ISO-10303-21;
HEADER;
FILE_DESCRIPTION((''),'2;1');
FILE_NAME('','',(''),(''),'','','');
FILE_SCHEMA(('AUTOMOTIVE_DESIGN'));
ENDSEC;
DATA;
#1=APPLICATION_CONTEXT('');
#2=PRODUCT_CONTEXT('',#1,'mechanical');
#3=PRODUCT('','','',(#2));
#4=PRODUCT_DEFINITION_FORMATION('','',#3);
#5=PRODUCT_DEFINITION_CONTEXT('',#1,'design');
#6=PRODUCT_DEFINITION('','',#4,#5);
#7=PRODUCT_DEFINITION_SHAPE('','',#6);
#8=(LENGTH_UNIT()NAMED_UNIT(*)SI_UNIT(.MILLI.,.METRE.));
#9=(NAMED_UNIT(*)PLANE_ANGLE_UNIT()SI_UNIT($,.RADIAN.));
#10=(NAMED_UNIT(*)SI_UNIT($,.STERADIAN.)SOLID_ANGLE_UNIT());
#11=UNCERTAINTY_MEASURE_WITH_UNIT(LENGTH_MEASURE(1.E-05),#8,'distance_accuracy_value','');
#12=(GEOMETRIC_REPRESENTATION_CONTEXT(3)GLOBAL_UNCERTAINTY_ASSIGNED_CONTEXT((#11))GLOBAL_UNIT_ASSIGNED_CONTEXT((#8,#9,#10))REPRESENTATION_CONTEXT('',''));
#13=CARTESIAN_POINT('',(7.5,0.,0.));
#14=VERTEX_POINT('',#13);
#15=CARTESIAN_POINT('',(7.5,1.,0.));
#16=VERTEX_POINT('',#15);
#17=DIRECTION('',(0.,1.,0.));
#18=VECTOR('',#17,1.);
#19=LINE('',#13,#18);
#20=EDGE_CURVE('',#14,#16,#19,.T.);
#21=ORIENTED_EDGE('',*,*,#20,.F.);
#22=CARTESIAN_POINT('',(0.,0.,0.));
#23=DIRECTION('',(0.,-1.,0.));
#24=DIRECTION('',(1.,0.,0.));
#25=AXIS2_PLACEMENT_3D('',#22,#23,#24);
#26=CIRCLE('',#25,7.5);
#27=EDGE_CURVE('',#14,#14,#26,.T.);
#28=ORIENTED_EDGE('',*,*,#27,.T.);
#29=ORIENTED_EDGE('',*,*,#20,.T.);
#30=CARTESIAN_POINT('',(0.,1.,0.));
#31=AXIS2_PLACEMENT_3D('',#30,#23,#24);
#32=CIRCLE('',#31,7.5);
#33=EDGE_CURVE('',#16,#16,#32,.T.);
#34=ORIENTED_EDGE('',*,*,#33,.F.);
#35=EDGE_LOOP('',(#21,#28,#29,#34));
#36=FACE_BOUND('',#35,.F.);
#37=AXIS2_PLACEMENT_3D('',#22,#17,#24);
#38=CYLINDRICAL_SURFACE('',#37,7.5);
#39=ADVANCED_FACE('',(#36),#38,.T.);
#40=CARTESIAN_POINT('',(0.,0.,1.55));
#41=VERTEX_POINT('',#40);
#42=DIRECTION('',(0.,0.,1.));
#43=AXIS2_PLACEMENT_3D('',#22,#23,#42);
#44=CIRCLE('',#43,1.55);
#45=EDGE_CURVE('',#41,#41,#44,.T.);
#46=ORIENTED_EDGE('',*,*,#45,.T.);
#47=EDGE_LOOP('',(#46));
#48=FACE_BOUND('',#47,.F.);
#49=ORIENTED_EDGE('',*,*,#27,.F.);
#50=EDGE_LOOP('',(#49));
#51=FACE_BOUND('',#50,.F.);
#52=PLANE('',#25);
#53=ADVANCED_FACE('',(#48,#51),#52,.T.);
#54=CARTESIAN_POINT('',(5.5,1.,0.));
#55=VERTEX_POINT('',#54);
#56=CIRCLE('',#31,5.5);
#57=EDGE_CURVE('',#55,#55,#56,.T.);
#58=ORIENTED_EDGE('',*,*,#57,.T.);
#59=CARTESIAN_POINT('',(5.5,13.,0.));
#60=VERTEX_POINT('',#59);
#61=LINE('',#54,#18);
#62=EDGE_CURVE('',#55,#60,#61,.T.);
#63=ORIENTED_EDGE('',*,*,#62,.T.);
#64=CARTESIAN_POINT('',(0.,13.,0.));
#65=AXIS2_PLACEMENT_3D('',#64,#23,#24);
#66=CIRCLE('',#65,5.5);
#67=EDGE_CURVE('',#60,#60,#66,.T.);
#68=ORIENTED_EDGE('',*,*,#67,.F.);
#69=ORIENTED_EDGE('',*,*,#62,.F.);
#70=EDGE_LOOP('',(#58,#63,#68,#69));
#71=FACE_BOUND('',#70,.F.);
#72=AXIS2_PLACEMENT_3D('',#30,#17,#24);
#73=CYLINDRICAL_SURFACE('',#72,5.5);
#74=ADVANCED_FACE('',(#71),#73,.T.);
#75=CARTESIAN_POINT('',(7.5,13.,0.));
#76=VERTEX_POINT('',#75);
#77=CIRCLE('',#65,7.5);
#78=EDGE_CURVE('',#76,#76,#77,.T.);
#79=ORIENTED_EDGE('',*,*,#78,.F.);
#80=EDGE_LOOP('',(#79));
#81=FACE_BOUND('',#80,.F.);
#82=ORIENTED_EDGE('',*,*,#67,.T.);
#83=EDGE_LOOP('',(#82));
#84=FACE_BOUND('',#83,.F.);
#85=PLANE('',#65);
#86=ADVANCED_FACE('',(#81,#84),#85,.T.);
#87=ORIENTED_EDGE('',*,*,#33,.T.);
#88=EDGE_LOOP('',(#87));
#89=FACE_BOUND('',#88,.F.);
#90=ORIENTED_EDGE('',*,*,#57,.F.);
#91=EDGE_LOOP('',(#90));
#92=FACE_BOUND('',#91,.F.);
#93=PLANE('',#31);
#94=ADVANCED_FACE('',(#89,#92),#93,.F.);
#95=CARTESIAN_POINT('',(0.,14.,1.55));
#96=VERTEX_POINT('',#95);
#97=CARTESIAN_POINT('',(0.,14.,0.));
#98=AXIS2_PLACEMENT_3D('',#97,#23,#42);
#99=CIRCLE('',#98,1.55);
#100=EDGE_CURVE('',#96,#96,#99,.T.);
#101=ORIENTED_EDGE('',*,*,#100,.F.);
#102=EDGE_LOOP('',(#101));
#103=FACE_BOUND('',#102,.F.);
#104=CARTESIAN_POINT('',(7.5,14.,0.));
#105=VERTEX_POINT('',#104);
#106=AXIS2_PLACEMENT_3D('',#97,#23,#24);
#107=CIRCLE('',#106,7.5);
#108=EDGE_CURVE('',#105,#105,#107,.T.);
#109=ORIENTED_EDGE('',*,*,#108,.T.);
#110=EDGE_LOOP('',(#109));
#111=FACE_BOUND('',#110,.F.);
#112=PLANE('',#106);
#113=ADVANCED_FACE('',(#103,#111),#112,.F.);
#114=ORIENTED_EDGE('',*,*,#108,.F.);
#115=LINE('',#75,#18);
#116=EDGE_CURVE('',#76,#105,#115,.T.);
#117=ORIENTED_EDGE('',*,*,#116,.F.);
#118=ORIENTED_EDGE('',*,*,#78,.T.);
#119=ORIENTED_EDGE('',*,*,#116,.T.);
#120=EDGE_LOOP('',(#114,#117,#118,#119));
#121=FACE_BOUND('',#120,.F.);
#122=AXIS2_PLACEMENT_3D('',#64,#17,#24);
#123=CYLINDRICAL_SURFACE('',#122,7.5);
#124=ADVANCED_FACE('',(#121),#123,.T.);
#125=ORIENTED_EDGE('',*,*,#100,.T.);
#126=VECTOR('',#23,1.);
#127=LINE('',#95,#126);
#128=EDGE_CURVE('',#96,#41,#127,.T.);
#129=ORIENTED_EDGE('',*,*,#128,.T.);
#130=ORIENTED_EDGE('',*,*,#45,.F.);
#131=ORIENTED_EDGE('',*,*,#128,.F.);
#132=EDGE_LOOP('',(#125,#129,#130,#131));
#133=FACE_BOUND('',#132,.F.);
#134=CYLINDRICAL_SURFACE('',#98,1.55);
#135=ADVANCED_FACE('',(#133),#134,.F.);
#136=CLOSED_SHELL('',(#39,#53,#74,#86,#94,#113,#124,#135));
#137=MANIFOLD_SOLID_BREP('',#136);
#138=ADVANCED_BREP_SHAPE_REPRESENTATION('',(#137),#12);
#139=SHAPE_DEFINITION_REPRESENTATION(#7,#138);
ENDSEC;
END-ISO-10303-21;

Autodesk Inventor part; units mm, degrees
ref_plane "YZ Plane" through (0, 0, 0) normal (1, 0, 0) x (0, 1, 0)
ref_plane "XZ Plane" through (0, 0, 0) normal (0, 1, 0) x (-1, 0, 0)
ref_plane "XY Plane" through (0, 0, 0) normal (0, 0, 1) x (1, 0, 0)
sketch "Esquisse2" plane through (0, 0, 0) normal (0, 0, 1) x (1, 0, 0)
  line L0 (0, 17.0922) -> (0, -5.3775) construction
  line L1 (0, 0) -> (7.5, 0)
  line L2 (7.5, 0) -> (7.5, 1)
  line L3 (7.5, 1) -> (5.5, 1)
  line L4 (5.5, 1) -> (5.5, 13)
  line L5 (5.5, 13) -> (7.5, 13)
  line L6 (7.5, 13) -> (7.5, 14)
  line L7 (7.5, 14) -> (0, 14)
  line L8 (0, 14) -> (0, 0)
  dimension "d8" = 15
  dimension "d9" = 1
  dimension "d10" = 1
  dimension "d11" = 14
  dimension "d12" = 2
  dimension "d20" = 7.5
revolve "Révolution1" add sketch "Esquisse2" angle 360 about axis through (0, 17.0922, 0) along (0, -1, 0)
sketch "Esquisse3" plane through (0, 14, 0) normal (0, 1, 0) x (1, 0, 0)
  point P0 (0, 0)
  point P1 (0, 0)
hole "Perçage1" at (0, 14, 0) direction (0, -1, 0) diameter 3.1 end through all clearance for "Vis d'assemblage à six pans creux" size "M3" standard "Profil M métrique ANSI"
equation "\"d20\" = 0.5 * d8"
properties part number "poulie courroie"
